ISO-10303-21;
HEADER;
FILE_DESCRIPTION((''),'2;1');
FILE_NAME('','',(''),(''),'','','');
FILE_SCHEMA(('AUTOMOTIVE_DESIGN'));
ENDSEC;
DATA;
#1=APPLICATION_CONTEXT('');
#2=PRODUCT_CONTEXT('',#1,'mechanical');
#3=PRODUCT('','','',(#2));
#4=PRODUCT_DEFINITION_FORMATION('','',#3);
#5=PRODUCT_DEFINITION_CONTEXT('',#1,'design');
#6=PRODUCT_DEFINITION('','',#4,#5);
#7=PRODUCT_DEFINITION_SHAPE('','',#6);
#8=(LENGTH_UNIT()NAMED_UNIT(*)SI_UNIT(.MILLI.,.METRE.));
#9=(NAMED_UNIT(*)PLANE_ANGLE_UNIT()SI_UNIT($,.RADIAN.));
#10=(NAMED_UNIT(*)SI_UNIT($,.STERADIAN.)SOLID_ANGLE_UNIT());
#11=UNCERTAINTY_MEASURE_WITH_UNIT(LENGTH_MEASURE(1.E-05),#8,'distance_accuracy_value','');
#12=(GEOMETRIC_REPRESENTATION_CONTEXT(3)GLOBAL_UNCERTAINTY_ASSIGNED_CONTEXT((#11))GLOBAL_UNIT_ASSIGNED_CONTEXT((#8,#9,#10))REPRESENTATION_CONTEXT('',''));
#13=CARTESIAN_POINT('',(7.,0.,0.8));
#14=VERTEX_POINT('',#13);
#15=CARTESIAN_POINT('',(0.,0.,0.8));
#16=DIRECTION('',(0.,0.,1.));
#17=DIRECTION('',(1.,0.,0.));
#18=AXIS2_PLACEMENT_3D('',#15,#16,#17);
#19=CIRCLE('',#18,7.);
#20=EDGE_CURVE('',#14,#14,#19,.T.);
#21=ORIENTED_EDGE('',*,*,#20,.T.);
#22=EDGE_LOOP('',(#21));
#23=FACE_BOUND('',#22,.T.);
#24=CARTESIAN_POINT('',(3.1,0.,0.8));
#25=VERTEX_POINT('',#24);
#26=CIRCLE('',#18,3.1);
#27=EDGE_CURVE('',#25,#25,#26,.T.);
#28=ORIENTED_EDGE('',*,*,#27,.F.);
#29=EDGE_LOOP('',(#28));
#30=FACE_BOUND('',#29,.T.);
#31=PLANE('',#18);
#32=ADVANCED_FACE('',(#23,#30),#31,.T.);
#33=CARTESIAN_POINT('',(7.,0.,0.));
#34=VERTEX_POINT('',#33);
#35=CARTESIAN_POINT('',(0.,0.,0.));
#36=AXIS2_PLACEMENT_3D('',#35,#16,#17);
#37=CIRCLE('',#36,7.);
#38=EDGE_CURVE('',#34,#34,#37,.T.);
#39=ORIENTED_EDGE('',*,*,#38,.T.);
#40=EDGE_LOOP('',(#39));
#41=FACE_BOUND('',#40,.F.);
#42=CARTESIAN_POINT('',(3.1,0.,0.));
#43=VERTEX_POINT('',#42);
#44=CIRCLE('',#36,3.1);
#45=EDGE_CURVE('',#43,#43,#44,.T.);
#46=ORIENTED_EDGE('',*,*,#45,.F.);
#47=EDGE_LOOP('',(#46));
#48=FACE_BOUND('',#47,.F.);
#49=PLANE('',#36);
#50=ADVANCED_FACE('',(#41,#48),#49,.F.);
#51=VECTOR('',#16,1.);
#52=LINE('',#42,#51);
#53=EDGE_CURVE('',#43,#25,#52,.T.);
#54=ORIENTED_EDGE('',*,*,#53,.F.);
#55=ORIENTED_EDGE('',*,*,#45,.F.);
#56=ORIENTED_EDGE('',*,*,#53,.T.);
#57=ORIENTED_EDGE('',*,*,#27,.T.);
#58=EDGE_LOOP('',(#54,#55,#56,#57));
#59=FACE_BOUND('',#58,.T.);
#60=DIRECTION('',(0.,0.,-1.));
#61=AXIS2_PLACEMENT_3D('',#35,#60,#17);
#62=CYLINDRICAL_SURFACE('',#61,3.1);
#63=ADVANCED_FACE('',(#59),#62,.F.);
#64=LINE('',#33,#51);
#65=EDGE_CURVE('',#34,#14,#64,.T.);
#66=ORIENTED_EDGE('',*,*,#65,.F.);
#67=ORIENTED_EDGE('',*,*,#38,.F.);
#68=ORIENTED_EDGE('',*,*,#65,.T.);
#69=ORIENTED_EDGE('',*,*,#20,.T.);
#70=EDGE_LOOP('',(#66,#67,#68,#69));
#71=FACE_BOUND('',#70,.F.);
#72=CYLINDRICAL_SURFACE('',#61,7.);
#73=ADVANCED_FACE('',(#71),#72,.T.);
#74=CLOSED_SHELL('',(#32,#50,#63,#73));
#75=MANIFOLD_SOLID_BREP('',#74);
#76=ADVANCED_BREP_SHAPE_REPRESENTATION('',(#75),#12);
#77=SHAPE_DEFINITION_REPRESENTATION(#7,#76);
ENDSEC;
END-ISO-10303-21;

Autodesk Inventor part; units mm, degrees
ref_plane "YZ Plane" through (0, 0, 0) normal (1, 0, 0) x (0, 1, 0)
ref_plane "XZ Plane" through (0, 0, 0) normal (0, 1, 0) x (-1, 0, 0)
ref_plane "XY Plane" through (0, 0, 0) normal (0, 0, 1) x (1, 0, 0)
sketch "スケッチ1" plane through (0, 0, 0) normal (0, 0, 1) x (1, 0, 0)
  circle A0 centre (0, 0) radius 3.1
  circle A1 centre (0, 0) radius 7
  dimension "d0" = 6.2
  dimension "d1" = 14
extrude "押し出し1" add sketch "スケッチ1" along normal blind 0.8
properties part number "ワッシャー6.2,14.0.8t" material "アセタール樹脂、白"
